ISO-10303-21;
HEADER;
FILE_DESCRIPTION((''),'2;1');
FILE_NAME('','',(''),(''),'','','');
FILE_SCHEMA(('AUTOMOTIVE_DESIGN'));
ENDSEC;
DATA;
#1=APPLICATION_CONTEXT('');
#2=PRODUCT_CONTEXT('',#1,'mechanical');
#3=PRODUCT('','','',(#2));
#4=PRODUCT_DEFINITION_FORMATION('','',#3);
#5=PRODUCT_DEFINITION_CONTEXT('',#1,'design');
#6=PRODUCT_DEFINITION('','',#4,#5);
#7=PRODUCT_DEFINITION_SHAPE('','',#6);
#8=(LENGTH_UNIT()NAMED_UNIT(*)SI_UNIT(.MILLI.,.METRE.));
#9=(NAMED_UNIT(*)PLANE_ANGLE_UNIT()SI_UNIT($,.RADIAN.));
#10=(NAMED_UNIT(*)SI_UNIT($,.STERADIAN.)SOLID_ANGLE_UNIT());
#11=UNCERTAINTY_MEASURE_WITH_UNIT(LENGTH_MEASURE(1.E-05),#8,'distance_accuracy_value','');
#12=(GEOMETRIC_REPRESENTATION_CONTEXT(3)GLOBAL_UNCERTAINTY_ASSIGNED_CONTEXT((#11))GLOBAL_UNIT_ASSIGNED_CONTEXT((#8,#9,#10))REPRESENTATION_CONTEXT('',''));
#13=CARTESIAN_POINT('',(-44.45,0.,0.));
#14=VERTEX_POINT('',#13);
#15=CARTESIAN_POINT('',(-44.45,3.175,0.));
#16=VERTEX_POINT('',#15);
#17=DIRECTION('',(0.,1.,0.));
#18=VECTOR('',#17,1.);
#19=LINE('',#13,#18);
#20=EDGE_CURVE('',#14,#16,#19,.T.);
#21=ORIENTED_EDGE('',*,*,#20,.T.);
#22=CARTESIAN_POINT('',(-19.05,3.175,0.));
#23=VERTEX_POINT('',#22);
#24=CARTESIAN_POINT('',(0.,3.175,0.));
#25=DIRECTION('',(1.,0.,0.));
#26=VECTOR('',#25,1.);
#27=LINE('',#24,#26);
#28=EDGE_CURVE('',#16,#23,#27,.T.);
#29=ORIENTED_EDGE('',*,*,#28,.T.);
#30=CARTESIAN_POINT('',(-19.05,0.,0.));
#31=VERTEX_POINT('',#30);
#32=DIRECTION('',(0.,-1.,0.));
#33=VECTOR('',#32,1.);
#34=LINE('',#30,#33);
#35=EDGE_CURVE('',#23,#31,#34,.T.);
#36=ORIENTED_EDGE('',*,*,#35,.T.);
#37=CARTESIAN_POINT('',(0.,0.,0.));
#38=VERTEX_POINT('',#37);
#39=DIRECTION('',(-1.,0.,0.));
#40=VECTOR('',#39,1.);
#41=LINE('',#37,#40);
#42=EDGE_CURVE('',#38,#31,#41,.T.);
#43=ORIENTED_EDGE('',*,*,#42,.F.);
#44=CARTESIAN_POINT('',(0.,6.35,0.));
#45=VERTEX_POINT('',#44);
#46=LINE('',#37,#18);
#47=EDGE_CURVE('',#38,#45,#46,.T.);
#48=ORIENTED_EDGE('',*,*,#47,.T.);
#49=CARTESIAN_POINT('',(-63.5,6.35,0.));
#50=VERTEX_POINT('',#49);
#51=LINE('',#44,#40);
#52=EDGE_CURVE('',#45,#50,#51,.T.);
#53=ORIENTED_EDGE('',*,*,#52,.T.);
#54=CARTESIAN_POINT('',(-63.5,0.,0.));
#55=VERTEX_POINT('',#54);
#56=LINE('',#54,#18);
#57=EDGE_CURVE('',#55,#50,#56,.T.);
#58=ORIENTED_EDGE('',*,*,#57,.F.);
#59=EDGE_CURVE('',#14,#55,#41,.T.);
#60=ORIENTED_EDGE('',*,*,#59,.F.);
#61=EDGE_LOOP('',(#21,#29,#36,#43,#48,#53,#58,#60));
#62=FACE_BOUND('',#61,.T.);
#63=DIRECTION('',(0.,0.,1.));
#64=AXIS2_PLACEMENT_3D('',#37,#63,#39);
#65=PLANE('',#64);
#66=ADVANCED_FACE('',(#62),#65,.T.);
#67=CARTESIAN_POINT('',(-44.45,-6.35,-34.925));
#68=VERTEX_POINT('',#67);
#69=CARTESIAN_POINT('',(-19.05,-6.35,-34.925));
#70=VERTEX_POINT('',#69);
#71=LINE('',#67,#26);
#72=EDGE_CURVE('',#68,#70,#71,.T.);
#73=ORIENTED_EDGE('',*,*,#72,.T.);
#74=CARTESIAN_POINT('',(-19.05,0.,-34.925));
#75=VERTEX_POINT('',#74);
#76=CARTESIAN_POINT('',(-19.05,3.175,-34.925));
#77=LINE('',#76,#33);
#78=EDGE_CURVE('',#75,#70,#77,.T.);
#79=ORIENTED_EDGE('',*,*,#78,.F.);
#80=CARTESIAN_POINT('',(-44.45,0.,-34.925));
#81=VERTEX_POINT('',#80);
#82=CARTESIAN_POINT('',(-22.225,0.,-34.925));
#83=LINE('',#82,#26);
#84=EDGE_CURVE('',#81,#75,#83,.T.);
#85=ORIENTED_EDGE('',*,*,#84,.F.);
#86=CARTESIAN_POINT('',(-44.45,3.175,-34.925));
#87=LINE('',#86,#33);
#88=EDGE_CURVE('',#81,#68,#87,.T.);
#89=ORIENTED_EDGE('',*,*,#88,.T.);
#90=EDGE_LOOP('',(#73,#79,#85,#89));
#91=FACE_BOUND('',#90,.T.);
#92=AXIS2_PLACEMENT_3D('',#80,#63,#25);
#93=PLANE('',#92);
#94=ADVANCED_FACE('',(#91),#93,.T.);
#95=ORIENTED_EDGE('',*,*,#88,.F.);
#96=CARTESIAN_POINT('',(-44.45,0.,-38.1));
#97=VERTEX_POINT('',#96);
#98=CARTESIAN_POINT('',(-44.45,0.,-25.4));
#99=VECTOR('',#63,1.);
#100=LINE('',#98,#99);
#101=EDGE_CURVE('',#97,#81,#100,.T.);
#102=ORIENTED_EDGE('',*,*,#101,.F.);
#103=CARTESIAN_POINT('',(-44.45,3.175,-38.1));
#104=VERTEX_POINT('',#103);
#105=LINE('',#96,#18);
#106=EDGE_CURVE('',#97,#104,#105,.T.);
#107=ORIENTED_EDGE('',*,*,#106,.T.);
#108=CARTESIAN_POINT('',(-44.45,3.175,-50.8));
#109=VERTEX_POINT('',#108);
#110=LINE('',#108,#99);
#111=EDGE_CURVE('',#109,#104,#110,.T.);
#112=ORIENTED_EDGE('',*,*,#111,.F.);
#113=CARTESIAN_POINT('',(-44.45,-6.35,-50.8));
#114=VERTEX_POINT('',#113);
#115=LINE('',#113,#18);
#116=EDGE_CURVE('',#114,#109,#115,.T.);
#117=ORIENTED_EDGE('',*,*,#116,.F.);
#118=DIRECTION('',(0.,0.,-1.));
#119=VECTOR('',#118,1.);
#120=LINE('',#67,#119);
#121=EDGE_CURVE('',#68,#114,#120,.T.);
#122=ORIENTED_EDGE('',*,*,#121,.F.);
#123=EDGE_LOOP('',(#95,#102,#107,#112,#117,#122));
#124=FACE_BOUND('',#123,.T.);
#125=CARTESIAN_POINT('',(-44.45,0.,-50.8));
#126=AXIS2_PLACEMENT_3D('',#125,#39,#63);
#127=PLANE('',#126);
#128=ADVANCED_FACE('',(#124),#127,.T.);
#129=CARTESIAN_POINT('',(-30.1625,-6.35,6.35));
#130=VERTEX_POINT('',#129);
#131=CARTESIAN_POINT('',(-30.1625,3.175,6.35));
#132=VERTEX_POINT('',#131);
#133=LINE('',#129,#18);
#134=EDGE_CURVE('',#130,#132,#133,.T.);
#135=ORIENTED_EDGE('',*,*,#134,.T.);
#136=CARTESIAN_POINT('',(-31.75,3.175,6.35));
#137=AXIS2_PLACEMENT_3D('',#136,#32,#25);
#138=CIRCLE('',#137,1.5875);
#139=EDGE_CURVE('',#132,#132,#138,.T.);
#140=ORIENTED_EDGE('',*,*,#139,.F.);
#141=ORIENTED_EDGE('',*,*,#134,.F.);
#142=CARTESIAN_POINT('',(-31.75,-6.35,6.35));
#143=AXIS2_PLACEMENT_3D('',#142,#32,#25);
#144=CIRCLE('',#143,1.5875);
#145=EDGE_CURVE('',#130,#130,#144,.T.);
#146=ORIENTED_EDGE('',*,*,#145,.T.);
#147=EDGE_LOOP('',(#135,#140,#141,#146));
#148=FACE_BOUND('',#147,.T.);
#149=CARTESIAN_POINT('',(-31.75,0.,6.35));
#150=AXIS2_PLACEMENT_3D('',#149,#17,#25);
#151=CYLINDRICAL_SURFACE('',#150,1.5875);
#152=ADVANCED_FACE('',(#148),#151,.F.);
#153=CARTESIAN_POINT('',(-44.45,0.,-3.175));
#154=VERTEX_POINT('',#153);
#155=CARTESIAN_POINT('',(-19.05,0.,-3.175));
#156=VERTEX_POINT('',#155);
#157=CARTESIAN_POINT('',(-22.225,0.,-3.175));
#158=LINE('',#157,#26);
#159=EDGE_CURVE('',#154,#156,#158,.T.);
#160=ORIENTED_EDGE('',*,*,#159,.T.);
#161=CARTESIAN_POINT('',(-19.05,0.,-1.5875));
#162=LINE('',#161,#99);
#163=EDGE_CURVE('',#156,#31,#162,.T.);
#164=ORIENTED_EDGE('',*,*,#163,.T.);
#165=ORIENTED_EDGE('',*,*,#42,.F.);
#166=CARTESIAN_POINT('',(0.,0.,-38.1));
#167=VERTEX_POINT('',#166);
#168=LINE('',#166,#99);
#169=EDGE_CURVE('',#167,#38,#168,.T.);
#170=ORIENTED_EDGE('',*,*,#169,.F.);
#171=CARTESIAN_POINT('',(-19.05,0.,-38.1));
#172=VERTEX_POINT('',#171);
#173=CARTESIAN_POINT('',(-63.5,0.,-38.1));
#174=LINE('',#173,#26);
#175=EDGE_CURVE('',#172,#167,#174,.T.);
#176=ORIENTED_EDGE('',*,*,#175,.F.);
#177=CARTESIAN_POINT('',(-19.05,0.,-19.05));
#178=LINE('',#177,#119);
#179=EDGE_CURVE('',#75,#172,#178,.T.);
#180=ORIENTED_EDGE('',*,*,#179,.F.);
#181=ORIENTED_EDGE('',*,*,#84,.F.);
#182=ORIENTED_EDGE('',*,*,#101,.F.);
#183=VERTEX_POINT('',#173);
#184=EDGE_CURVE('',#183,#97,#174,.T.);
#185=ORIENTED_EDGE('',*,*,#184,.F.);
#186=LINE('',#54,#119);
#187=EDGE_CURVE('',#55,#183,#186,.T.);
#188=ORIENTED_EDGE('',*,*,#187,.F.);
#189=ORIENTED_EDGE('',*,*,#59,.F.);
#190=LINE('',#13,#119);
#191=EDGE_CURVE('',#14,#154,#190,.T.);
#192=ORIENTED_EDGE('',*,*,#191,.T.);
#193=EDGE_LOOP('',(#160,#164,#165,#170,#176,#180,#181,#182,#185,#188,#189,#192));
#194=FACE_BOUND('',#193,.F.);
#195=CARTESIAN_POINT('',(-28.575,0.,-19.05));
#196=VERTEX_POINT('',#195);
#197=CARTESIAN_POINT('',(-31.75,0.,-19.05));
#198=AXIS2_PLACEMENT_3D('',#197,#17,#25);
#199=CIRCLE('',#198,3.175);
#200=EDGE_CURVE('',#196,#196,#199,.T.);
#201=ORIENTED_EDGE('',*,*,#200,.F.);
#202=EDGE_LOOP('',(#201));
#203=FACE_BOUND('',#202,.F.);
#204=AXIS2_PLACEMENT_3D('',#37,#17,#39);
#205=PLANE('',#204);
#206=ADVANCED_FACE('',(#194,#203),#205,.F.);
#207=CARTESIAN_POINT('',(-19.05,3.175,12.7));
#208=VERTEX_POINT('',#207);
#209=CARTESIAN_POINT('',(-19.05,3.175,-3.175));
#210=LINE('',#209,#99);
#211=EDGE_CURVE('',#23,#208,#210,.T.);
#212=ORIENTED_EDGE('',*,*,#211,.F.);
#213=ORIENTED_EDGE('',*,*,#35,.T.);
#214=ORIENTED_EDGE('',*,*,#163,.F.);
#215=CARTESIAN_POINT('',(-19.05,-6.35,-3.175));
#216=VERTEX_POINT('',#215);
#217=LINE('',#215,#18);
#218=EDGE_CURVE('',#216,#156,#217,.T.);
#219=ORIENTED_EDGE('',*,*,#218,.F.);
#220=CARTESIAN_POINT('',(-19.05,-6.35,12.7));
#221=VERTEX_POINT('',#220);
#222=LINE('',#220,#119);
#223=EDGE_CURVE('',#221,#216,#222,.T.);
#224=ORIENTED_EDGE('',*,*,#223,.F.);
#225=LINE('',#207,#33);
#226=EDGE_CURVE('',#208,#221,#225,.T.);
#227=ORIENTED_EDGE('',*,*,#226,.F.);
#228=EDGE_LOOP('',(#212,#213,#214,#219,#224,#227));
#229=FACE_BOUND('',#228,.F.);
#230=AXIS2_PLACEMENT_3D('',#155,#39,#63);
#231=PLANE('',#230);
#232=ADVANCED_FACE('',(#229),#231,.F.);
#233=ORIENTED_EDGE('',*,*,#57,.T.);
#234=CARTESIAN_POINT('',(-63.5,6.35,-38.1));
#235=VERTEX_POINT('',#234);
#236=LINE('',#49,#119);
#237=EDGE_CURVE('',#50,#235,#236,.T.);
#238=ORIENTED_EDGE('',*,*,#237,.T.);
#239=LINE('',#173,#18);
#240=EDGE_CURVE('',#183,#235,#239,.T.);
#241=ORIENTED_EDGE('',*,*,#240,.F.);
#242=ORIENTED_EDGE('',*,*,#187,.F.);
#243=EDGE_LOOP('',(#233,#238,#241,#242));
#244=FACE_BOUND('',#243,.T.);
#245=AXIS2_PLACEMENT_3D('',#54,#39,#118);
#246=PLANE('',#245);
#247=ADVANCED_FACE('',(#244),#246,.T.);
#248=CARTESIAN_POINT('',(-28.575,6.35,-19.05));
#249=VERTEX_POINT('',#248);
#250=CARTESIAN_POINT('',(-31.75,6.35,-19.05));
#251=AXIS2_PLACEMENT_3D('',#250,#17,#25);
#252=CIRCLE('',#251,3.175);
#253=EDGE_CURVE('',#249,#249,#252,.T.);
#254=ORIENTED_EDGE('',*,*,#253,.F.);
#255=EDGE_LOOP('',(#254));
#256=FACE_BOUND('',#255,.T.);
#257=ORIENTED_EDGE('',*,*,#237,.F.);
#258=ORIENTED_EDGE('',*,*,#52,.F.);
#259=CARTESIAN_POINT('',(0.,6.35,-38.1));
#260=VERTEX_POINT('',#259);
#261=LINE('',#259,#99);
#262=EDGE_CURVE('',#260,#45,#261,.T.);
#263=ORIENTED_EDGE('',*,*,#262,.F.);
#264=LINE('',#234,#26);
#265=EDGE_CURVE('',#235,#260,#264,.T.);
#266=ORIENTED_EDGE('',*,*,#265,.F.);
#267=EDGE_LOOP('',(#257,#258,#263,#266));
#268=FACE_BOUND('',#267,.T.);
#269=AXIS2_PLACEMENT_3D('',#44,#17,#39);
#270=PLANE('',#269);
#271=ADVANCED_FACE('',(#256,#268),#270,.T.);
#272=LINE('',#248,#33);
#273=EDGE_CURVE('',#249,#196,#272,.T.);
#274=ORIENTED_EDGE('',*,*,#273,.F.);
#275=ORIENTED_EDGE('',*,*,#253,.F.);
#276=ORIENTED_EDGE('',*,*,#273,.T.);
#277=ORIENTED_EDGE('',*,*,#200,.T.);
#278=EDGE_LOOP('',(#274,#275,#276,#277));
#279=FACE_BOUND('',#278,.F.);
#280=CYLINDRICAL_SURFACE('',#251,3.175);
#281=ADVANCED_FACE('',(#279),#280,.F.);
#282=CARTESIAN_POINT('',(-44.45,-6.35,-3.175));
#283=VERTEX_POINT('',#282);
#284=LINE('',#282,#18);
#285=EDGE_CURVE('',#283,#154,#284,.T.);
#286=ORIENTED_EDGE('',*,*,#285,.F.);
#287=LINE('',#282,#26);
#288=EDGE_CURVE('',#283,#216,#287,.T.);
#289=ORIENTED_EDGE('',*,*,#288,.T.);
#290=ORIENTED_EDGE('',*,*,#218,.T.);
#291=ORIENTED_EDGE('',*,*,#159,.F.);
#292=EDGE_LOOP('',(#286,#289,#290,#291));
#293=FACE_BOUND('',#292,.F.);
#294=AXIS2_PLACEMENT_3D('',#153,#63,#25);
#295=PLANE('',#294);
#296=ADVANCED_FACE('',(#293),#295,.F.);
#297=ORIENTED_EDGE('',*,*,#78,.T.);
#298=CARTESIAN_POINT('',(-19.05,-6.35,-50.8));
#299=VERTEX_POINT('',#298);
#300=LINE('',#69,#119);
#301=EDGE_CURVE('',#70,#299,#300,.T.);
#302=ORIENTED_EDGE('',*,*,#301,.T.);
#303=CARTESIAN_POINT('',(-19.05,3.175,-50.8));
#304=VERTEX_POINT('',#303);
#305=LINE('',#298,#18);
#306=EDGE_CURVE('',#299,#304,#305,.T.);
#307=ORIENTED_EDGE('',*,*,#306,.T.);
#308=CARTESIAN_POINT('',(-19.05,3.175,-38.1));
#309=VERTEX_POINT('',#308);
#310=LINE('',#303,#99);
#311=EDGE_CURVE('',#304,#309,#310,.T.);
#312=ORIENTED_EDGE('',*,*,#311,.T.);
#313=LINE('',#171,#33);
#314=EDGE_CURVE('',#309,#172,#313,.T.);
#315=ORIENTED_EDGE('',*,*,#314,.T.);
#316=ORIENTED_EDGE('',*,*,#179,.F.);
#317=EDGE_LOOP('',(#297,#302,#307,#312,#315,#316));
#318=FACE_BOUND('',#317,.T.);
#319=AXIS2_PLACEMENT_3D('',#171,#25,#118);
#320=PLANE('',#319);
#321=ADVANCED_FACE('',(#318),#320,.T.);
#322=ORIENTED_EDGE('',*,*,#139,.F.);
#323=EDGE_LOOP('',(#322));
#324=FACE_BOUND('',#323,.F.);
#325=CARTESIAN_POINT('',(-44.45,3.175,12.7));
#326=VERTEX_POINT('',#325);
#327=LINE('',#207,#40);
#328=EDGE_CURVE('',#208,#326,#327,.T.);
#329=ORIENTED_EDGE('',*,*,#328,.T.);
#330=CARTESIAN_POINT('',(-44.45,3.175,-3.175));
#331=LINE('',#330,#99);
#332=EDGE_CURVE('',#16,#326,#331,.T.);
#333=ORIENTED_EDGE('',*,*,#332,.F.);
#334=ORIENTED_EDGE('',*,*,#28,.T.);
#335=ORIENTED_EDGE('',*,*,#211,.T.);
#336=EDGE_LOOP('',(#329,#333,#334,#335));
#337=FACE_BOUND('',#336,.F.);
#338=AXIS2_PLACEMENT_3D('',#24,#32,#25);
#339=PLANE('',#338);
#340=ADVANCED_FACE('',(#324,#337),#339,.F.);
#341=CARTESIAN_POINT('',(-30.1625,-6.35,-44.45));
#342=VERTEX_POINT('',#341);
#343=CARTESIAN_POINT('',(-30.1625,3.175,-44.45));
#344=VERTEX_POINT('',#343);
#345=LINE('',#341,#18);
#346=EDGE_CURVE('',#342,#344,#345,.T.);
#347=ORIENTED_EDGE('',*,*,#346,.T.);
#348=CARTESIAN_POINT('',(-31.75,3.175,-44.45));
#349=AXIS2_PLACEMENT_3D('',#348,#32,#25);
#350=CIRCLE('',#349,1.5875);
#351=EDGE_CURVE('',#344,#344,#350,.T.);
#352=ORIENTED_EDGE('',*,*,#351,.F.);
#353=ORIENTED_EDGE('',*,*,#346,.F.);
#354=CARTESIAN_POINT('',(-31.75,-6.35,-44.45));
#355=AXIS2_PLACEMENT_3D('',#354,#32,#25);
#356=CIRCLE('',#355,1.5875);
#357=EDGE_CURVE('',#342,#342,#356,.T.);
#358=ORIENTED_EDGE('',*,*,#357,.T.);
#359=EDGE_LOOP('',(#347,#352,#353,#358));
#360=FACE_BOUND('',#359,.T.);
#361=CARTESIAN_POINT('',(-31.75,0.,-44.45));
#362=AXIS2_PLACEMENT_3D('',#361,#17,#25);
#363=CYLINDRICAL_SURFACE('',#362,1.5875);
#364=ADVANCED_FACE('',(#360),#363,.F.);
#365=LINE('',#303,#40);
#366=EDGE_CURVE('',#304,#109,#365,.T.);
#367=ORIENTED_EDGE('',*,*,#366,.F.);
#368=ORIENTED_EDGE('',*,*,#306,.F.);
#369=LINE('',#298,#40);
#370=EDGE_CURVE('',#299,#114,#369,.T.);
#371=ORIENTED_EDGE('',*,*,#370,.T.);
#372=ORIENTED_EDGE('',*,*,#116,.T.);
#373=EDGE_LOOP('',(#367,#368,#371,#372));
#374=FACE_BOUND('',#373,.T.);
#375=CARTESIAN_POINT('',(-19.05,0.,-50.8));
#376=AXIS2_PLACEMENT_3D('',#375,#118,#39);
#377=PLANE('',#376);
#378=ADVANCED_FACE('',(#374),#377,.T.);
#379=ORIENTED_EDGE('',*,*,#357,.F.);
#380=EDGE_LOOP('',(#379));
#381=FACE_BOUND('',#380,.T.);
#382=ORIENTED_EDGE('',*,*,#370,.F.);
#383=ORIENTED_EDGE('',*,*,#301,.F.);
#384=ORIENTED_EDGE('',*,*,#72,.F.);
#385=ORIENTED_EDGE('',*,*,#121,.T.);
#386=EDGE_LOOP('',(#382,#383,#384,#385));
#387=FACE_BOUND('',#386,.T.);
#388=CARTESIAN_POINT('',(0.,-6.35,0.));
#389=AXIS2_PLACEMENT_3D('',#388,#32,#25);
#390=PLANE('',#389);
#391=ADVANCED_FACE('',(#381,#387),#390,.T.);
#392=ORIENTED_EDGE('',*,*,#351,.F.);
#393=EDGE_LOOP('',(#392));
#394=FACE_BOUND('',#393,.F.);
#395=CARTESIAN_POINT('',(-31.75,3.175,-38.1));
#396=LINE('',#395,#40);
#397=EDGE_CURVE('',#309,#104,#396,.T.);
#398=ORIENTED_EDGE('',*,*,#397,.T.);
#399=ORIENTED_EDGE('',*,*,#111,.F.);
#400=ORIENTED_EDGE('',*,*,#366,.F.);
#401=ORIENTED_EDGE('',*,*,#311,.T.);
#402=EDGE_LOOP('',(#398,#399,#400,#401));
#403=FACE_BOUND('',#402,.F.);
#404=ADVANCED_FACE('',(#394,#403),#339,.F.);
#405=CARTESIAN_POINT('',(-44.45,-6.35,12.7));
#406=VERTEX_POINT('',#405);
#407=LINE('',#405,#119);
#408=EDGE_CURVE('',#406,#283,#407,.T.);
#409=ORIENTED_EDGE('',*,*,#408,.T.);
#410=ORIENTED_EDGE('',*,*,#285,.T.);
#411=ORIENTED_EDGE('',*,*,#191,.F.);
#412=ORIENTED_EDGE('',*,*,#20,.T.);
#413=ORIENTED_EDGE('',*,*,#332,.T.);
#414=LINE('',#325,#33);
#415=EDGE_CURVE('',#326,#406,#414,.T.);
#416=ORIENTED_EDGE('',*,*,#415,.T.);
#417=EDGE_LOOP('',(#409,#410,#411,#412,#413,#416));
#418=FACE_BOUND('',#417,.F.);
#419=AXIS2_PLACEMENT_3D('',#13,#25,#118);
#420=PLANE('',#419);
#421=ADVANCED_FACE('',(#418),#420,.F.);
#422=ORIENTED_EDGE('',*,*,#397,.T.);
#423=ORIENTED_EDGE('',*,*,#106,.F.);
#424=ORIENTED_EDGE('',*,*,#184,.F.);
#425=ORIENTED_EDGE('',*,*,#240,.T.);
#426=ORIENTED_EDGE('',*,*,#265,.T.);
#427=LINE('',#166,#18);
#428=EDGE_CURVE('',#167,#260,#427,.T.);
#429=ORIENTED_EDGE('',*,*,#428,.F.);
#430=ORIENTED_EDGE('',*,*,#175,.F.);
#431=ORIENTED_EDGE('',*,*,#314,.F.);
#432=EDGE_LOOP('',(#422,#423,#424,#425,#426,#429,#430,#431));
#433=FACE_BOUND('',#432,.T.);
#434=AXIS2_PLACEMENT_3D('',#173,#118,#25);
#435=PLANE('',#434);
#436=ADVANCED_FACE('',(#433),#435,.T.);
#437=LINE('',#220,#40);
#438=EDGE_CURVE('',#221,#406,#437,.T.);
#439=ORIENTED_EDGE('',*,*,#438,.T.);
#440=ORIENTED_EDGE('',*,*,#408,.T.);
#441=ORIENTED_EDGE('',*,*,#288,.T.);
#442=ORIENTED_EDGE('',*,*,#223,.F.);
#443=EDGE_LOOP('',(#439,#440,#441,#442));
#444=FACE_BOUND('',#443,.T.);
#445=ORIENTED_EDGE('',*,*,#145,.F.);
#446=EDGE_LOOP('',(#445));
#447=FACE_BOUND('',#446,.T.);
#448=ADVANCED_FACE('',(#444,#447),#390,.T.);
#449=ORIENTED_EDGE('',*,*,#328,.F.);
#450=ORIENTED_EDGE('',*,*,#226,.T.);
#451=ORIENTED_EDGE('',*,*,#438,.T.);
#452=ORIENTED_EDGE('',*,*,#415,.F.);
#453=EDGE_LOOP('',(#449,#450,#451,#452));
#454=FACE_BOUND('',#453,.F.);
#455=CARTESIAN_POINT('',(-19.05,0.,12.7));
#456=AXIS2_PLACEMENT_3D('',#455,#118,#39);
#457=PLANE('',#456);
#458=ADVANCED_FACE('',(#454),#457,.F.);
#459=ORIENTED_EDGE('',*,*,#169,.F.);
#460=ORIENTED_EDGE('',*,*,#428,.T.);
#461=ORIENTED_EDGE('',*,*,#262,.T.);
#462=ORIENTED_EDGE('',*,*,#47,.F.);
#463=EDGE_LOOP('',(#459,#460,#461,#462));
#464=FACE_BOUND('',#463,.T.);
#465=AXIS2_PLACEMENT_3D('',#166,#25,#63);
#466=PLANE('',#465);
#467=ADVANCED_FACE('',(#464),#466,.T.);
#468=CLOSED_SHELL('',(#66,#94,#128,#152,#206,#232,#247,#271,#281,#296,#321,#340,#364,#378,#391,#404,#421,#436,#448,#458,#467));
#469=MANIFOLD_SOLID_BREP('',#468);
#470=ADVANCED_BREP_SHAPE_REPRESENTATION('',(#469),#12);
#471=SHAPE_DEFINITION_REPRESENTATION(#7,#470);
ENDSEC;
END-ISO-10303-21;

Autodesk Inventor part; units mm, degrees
ref_plane "YZ Plane" through (0, 0, 0) normal (1, 0, 0) x (0, 1, 0)
ref_plane "XZ Plane" through (0, 0, 0) normal (0, 1, 0) x (-1, 0, 0)
ref_plane "XY Plane" through (0, 0, 0) normal (0, 0, 1) x (1, 0, 0)
sketch "Sketch1" plane through (0, 0, 0) normal (0, 1, 0) x (-1, 0, 0)
  line L0 (0, 0) -> (63.5, 0)
  line L1 (63.5, 0) -> (63.5, -38.1)
  line L2 (63.5, -38.1) -> (0, -38.1)
  line L3 (0, -38.1) -> (0, 0)
  dimension "d0" = 63.5
  dimension "d1" = 38.1
extrude "Extrusion1" add sketch "Sketch1" along normal blind 6.35
sketch "Sketch2" plane through (0, 6.35, 0) normal (0, 1, 0) x (1, 0, 0)
  line L0 (-63.5, 0) -> (0, 0) projected
  line L1 (0, 0) -> (0, 38.1) projected
  line L2 (0, 38.1) -> (-63.5, 38.1) projected
  line L3 (-63.5, 38.1) -> (-63.5, 0) projected
  line L4 (0, 0) -> (0, 38.1) construction
  line L5 (0, 19.05) -> (-31.75, 19.05) construction
  circle A0 centre (-31.75, 19.05) radius 3.175
  dimension "d4" = 31.75
  dimension "d5" = 90
  dimension "d6" = 6.35
extrude "Extrusion2" cut sketch "Sketch2" against normal blind 6.35 contours A0
sketch "Sketch3" plane through (0, 0, 0) normal (0, -1, 0) x (1, 0, 0)
  circle A0 centre (-31.75, -19.05) radius 3.175 projected
  line L0 (0, 0) -> (-63.5, 0) projected
  line L1 (-63.5, 0) -> (-63.5, -38.1) projected
  line L2 (-63.5, -38.1) -> (0, -38.1) projected
  line L3 (0, -38.1) -> (0, 0) projected
  line L4 (-31.75, -19.05) -> (-19.05, -19.05) construction
  line L5 (-19.05, -19.05) -> (-19.05, 12.7) construction
  line L6 (-19.05, 12.7) -> (-19.05, -50.8) construction
  line L7 (-19.05, 12.7) -> (-44.45, 12.7)
  line L8 (-44.45, 12.7) -> (-44.45, -3.175)
  line L9 (-44.45, -3.175) -> (-19.05, -3.175)
  line L10 (-19.05, -3.175) -> (-19.05, 12.7)
  circle A1 centre (-31.75, -19.05) radius 3.175 construction
  line L11 (-31.75, -19.05) -> (-31.75, 6.35) construction
  line L12 (-31.75, -19.05) -> (-6.35, -19.05) construction
  circle A2 centre (-31.75, 6.35) radius 1.5875
  line L13 (-19.05, -19.05) -> (-19.05, -50.8) construction
  line L14 (-19.05, -50.8) -> (-19.05, 12.7) construction
  line L15 (-19.05, -50.8) -> (-44.45, -50.8)
  line L16 (-44.45, -50.8) -> (-44.45, -34.925)
  line L17 (-44.45, -34.925) -> (-19.05, -34.925)
  line L18 (-19.05, -34.925) -> (-19.05, -50.8)
  circle A3 centre (-31.75, -44.45) radius 1.5875
  dimension "d9" = 12.7
  dimension "d10" = 31.75
  dimension "d11" = 63.5
  dimension "d12" = 25.4
  dimension "d13" = 15.875
  dimension "d14" = 25.4
  dimension "d15" = 90
  dimension "d16" = 3.175
extrude "Extrusion3" add sketch "Sketch3" along normal blind 6.35 and the other way blind 3.175 contours L10 L9 L8 L0 | L0 L8 L7 L10 | L18 L15 L16 L2 | L2 L16 L17 L18
properties part number "mount"
